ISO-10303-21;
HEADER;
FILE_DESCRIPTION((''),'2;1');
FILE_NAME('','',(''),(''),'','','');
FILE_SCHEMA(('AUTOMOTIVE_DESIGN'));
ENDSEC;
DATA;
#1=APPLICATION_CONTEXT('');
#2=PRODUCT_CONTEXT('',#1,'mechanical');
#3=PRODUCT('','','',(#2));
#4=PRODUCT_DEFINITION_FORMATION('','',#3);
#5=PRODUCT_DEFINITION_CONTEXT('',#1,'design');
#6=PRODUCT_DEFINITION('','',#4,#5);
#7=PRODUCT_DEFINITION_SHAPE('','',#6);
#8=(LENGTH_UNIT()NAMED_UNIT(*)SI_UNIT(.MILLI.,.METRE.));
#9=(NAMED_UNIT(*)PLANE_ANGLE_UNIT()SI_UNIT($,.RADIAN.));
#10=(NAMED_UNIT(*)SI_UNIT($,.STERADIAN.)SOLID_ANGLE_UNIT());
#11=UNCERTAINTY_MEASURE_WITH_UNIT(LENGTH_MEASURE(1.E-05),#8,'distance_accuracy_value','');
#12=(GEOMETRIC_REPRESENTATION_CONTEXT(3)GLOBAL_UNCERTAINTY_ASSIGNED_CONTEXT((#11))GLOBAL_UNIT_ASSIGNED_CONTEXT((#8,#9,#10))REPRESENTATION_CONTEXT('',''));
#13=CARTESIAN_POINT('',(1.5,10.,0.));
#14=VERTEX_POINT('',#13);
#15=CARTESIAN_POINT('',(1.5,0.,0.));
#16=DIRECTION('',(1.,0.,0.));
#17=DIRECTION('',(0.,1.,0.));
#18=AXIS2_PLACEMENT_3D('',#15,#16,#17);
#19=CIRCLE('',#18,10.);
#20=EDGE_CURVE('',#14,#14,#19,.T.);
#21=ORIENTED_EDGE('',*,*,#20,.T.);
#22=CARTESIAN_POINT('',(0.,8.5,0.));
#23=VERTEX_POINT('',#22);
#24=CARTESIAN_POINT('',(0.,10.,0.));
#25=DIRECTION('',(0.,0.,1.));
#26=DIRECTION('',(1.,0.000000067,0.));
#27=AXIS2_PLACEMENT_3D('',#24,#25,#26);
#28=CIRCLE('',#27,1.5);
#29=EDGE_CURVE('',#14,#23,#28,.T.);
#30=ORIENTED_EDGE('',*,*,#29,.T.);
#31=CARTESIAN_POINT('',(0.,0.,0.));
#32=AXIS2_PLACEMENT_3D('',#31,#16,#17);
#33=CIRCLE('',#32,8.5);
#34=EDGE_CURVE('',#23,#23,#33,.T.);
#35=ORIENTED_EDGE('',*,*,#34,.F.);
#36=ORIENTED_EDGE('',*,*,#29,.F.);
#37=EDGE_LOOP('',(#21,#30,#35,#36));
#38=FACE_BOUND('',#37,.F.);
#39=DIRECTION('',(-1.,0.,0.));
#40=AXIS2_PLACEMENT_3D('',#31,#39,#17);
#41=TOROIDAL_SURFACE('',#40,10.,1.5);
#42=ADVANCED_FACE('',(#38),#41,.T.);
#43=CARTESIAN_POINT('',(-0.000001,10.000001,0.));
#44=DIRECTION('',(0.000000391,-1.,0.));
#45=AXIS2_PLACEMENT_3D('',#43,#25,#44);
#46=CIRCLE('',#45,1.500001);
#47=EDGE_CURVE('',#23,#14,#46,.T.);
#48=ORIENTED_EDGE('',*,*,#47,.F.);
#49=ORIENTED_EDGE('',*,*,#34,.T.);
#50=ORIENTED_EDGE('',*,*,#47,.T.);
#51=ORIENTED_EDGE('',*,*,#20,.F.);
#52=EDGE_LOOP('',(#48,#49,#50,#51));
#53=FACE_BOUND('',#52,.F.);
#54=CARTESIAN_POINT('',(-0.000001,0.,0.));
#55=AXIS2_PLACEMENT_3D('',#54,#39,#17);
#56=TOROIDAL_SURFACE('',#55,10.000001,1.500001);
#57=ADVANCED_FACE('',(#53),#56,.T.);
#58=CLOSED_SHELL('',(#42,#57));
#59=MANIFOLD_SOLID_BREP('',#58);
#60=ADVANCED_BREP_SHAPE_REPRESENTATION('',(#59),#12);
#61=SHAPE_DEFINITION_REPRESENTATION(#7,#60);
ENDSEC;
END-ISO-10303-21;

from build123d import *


with BuildPart() as f1:
    # F0 (on Top) → F1 (revolve)
    with BuildSketch(Plane.XY):
        with BuildLine():
            ThreePointArc((1.5, 10), (-1.06066, 11.06066), (0, 8.5))
            ThreePointArc((0, 8.5), (1.06066, 8.93934), (1.5, 10))
        make_face()
    revolve(axis=Axis((5, 0, 0), (1, 0, 0)))


solid = f1.part
